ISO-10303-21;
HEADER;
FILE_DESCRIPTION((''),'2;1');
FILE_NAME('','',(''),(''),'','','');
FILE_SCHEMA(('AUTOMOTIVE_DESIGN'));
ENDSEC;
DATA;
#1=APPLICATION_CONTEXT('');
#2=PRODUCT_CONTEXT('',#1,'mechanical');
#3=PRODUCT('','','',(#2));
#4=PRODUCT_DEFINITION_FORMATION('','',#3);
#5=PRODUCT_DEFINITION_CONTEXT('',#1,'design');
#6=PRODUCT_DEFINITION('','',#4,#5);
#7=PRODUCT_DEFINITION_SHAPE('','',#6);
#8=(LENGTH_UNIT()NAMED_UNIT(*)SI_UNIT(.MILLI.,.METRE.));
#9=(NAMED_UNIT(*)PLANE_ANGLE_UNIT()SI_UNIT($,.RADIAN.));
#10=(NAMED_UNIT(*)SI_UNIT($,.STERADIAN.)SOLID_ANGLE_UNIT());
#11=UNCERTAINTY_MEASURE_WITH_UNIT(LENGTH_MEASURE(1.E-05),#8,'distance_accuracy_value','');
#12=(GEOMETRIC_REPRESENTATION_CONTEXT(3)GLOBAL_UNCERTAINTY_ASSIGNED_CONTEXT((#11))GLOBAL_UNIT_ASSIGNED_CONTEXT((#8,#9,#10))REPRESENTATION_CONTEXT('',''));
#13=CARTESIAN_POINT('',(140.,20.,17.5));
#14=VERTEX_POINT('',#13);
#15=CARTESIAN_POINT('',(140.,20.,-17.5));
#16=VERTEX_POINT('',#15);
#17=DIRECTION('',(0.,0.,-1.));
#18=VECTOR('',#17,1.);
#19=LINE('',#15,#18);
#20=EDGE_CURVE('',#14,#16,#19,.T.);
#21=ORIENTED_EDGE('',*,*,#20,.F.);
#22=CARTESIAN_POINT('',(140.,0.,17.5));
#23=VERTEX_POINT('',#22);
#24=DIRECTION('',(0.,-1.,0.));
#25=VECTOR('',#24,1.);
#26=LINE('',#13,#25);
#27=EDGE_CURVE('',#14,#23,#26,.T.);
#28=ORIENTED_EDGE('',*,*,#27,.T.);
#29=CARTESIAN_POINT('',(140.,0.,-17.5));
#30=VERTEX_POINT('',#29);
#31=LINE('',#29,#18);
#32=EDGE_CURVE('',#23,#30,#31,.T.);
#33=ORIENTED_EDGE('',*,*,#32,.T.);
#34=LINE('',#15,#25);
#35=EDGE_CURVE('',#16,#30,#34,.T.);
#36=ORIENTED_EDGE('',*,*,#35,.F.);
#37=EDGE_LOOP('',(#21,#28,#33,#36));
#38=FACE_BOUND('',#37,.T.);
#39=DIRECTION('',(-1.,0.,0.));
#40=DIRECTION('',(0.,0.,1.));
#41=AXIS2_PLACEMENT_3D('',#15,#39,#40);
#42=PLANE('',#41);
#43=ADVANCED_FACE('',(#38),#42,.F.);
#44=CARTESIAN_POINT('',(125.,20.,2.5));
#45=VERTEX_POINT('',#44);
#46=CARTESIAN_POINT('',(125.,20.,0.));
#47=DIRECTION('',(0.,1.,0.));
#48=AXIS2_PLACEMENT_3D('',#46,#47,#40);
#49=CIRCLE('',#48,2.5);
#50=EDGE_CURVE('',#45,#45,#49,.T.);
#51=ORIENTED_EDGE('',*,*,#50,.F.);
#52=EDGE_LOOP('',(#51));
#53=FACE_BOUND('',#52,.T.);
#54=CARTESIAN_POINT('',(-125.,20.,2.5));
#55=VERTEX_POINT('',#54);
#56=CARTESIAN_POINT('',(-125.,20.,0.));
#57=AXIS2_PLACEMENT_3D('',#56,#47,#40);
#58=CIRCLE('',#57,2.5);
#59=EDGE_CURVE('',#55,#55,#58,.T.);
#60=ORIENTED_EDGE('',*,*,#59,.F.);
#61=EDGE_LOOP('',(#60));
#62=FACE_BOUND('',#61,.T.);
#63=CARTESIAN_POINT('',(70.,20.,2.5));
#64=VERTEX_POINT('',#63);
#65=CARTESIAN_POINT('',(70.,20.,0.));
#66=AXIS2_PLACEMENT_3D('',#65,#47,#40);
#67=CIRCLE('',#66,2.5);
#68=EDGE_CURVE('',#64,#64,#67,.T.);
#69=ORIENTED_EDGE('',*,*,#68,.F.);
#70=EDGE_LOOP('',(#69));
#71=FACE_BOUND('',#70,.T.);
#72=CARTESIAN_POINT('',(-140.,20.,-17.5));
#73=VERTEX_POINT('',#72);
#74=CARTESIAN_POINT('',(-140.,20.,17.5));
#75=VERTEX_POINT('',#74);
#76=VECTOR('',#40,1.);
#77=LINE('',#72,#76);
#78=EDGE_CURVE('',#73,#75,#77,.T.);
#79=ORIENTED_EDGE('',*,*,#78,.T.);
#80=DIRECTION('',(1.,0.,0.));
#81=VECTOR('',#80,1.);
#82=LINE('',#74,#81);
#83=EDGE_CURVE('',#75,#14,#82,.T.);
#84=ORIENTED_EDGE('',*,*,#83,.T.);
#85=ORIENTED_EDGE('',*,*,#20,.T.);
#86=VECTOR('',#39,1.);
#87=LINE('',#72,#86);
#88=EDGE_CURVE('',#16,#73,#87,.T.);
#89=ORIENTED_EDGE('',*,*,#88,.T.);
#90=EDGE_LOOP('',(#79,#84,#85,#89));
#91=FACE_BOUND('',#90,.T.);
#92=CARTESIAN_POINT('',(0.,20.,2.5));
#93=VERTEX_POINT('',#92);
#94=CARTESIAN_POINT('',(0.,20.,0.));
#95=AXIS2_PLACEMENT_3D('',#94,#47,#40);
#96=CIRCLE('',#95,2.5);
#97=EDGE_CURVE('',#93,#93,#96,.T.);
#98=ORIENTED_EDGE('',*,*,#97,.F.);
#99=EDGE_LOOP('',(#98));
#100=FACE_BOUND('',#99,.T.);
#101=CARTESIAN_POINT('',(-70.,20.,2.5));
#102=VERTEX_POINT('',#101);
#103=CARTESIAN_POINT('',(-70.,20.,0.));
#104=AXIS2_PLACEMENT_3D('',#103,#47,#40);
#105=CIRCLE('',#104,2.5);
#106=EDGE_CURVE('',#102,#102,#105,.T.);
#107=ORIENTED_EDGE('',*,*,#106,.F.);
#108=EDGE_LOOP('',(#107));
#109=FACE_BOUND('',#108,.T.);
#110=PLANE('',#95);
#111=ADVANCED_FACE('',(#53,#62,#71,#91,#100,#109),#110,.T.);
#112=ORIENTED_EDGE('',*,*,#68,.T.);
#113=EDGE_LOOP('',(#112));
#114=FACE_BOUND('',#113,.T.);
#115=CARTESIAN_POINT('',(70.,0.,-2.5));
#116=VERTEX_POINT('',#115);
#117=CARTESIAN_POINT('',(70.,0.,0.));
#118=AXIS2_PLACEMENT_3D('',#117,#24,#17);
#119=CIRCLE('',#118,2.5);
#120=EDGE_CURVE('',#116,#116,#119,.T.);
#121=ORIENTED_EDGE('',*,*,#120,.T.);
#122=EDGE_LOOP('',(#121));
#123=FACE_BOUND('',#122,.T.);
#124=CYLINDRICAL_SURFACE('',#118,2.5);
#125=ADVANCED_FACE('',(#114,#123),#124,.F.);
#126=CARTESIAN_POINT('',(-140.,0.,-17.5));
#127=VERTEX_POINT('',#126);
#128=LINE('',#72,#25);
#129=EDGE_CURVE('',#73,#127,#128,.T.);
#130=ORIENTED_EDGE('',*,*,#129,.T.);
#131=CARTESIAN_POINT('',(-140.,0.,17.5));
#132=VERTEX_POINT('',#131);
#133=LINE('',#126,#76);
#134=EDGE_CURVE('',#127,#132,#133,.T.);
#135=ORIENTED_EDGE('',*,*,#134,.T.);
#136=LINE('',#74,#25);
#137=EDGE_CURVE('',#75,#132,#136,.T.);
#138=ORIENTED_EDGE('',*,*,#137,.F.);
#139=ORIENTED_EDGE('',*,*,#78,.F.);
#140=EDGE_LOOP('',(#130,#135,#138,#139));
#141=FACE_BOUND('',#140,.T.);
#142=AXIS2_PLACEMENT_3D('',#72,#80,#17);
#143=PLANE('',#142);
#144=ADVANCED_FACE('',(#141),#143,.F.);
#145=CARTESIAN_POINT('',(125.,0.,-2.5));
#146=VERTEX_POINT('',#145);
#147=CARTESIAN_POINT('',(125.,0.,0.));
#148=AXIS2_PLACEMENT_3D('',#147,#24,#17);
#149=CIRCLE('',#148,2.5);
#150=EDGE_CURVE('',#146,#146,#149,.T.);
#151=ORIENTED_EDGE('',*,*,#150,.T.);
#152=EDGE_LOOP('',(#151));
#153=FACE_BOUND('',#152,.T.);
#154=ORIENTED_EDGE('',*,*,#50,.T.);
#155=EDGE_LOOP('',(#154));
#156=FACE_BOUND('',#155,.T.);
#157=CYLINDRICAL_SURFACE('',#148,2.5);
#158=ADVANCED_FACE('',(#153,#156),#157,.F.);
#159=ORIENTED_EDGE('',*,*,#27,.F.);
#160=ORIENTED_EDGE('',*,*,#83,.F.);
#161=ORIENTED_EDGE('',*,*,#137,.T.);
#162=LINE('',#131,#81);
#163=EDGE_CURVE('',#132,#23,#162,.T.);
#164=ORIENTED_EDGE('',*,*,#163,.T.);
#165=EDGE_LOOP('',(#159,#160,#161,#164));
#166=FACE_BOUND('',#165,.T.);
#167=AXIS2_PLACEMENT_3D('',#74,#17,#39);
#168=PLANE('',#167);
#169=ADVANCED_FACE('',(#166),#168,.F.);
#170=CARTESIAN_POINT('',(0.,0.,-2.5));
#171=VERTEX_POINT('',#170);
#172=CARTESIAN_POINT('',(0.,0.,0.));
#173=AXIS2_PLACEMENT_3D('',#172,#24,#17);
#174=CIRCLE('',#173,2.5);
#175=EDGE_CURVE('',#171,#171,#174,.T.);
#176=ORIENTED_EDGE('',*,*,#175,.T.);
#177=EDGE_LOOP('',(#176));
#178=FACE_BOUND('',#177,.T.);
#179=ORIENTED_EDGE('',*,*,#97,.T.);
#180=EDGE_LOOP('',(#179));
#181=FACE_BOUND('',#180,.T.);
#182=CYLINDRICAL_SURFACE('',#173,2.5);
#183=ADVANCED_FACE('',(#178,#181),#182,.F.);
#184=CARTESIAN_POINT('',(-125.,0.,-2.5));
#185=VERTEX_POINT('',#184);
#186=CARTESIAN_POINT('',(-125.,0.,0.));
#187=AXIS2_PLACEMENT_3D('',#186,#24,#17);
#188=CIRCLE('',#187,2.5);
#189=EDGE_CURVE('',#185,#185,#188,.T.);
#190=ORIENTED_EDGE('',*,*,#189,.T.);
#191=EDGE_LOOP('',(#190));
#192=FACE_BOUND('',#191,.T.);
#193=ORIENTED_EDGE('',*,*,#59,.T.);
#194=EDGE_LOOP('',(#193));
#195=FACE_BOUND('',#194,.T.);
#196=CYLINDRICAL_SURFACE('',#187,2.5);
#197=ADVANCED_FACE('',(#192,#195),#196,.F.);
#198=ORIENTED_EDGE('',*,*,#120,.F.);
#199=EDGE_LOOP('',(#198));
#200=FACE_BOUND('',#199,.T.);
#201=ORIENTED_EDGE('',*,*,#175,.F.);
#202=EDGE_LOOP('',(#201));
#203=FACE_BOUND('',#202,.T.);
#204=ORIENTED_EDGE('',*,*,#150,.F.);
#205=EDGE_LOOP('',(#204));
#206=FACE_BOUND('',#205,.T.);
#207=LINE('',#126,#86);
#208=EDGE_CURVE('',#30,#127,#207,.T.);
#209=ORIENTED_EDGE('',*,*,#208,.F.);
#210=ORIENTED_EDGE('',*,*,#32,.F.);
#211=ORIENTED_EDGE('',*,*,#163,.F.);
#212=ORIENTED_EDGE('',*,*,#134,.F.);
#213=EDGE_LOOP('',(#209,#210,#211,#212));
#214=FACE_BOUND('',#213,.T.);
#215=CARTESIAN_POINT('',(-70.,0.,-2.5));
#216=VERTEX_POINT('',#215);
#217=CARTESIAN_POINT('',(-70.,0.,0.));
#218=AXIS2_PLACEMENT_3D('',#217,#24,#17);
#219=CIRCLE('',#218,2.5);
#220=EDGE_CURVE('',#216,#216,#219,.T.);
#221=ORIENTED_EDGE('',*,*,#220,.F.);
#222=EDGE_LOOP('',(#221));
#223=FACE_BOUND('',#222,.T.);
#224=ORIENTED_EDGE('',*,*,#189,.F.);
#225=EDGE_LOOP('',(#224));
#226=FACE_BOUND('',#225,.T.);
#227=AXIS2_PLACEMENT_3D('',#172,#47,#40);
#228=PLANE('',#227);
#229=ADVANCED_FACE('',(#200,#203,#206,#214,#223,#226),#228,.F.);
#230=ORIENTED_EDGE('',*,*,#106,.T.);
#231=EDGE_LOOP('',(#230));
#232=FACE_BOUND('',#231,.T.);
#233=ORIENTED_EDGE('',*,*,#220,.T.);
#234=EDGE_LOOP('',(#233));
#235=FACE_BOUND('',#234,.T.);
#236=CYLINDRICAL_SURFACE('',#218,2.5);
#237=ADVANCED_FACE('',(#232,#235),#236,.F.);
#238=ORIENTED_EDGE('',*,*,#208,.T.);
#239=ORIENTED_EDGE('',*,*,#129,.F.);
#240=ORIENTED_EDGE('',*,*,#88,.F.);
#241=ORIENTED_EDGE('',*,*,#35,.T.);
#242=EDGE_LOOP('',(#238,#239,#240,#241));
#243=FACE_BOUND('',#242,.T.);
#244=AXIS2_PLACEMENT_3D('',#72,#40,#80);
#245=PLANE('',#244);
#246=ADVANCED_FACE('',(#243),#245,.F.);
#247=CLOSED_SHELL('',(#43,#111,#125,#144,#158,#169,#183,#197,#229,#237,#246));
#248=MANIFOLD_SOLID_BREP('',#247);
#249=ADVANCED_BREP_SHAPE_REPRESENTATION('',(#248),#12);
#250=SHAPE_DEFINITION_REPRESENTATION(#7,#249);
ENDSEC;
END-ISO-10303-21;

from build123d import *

# Parameters (mm, degrees)
SKETCH1_W             = 280
SKETCH1_H             = 35
EXTRUDE1_DEPTH        = 20
M6_TAPPED_HOLE1_D     = 5
M6_TAPPED_HOLE1_DEPTH = 29
M6_TAPPED_HOLE1_TIP   = 1.502151548


with BuildPart() as part:
    # Sketch1 → Extrude1 (new body)
    with BuildSketch(Plane(origin=(0, 0, 0), x_dir=(1, 0, 0), z_dir=(0, 1, 0))):
        Rectangle(SKETCH1_W, SKETCH1_H)
    extrude(amount=EXTRUDE1_DEPTH)

    # M6 Tapped Hole1
    with Locations(Plane(origin=(0, 0, 0), x_dir=(-1, 0, 0), z_dir=(0, -1, 0))):
        with Locations((-125, 0), (-70, 0), (0, 0), (70, 0), (125, 0)):
            Hole(M6_TAPPED_HOLE1_D / 2, depth=M6_TAPPED_HOLE1_DEPTH)
            with Locations((0, 0, -(M6_TAPPED_HOLE1_DEPTH + M6_TAPPED_HOLE1_TIP / 2))):  # 118° drill point
                Cone(0, M6_TAPPED_HOLE1_D / 2, M6_TAPPED_HOLE1_TIP, mode=Mode.SUBTRACT)


solid = part.part
